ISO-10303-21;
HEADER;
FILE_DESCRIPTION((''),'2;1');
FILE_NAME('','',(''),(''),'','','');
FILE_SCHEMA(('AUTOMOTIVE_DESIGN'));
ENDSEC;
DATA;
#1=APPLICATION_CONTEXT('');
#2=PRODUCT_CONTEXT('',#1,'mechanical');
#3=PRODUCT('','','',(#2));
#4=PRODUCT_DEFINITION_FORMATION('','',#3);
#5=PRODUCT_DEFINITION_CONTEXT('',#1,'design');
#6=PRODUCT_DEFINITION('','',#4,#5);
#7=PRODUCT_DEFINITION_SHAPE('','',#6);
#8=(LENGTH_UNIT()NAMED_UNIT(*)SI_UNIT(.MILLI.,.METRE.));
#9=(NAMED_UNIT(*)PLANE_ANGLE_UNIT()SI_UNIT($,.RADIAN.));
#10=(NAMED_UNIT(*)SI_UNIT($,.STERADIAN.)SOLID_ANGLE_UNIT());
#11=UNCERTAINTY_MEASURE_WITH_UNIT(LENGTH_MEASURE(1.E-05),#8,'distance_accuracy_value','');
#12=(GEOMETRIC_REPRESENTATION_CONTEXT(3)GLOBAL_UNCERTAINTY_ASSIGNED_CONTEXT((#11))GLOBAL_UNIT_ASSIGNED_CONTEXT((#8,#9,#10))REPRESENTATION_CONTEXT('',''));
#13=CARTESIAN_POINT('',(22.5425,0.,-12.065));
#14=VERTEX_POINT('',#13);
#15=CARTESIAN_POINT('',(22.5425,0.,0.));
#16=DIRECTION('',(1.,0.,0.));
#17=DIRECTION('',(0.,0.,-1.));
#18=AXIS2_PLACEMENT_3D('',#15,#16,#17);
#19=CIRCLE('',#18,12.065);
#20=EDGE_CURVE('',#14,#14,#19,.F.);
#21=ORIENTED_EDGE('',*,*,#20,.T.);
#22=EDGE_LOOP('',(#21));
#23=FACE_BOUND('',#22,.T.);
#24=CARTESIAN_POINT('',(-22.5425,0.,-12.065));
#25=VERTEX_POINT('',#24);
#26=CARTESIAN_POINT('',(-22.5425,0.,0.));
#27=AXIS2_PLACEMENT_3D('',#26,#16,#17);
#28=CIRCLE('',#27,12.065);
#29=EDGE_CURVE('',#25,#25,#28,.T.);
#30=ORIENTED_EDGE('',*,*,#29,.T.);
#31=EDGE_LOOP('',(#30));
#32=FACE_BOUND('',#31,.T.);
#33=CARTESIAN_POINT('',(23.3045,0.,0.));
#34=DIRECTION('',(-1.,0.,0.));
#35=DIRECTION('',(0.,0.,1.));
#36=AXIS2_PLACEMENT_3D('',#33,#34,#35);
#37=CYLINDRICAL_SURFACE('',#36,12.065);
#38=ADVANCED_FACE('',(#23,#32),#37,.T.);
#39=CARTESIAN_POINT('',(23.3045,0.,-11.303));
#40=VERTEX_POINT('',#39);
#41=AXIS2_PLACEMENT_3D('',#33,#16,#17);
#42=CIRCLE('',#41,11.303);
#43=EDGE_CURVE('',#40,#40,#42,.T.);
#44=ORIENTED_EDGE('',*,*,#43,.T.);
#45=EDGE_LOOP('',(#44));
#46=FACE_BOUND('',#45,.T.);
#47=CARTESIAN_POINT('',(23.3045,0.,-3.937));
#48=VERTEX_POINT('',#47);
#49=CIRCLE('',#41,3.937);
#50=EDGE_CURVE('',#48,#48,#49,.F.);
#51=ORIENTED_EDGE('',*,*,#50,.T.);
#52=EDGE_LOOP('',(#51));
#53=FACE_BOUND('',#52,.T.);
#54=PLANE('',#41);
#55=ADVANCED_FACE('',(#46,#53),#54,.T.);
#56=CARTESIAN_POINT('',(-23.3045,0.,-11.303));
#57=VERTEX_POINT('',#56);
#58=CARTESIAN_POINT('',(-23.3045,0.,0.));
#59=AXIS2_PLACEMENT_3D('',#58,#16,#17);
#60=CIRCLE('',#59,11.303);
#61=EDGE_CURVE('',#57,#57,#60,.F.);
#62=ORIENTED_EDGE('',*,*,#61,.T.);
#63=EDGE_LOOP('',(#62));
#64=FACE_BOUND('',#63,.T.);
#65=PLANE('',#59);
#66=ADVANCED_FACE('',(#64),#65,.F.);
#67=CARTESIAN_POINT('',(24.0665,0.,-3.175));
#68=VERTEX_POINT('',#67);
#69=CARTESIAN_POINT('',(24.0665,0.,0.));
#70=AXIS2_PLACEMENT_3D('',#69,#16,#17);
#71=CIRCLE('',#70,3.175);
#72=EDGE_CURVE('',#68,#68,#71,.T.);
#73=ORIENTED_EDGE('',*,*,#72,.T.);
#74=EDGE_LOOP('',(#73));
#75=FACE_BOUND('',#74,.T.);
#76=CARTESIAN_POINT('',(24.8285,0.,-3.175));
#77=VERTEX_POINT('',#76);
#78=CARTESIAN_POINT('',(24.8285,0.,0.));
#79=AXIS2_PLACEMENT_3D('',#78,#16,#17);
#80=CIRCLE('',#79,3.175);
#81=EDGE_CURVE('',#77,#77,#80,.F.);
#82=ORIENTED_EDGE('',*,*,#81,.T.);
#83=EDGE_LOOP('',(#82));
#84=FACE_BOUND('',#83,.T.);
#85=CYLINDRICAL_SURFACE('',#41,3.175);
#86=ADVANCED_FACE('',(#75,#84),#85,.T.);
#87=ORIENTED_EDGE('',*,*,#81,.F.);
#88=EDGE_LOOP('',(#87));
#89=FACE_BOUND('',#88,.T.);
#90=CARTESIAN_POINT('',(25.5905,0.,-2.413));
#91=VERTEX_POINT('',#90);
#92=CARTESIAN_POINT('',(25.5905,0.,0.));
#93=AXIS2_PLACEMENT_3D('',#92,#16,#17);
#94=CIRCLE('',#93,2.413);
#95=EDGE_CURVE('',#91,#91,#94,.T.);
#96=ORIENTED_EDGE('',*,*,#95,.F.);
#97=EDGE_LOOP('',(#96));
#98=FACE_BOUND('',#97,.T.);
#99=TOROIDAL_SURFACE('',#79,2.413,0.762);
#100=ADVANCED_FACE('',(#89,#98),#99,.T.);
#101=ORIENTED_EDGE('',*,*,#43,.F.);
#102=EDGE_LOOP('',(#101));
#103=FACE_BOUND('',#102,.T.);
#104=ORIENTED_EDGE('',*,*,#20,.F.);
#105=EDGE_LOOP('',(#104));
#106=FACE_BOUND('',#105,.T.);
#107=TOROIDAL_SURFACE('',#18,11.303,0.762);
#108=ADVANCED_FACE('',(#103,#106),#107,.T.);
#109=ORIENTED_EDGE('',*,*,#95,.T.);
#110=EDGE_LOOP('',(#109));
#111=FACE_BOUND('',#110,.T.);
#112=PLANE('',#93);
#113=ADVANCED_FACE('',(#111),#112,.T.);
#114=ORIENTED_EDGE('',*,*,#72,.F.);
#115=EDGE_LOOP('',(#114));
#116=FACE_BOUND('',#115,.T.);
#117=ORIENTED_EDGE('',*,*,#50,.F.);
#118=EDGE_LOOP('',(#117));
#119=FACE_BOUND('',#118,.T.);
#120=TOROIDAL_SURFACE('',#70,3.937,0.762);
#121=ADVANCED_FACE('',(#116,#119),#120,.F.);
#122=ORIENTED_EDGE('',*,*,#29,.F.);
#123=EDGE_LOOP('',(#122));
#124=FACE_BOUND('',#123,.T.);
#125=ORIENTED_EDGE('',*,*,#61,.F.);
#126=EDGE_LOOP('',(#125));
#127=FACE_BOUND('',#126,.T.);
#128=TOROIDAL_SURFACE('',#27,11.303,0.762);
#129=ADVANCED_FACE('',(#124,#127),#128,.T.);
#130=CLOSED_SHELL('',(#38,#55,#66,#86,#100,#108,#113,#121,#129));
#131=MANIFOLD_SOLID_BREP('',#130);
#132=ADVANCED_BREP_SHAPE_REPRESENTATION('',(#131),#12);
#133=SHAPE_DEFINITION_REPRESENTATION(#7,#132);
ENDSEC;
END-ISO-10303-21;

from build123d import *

# Parameters (mm, degrees)
SKETCH1_R           = 12.065
BOSS_EXTRUDE1_DEPTH = 23.3045
SKETCH2_W           = 2.286
SKETCH2_H           = 3.175
FILLET2_R           = 0.762
FILLET3_R           = 0.762


with BuildPart() as part:
    # Sketch1 → Boss-Extrude1 (new, symmetric)
    with BuildSketch(Plane(origin=(0, 0, 0), x_dir=(0, 0, -1), z_dir=(1, 0, 0))):
        Circle(SKETCH1_R)
    extrude(amount=BOSS_EXTRUDE1_DEPTH, both=True)

    # Sketch2 → Revolve1 (revolve)
    with BuildSketch(Plane.XY, mode=Mode.PRIVATE) as revolve1_sk:
        with Locations((24.4475, 1.5875)):
            Rectangle(SKETCH2_W, SKETCH2_H)
    revolve(revolve1_sk.sketch.rotate(Axis((23.3045, 0, 0), (-1, 0, 0)), 90), axis=Axis((23.3045, 0, 0), (-1, 0, 0)))

    # Fillet2
    fillet2_edges = [part.edges().sort_by_distance(p)[0] for p in [
        (23.3045, 0, 3.175),
        (25.5905, 0, 3.175),
    ]]
    fillet(fillet2_edges, radius=FILLET2_R)

    # Fillet3
    fillet3_edges = [part.edges().sort_by_distance(p)[0] for p in [
        (-23.3045, 0, 12.065),
        (23.3045, 0, 12.065),
    ]]
    fillet(fillet3_edges, radius=FILLET3_R)


solid = part.part
